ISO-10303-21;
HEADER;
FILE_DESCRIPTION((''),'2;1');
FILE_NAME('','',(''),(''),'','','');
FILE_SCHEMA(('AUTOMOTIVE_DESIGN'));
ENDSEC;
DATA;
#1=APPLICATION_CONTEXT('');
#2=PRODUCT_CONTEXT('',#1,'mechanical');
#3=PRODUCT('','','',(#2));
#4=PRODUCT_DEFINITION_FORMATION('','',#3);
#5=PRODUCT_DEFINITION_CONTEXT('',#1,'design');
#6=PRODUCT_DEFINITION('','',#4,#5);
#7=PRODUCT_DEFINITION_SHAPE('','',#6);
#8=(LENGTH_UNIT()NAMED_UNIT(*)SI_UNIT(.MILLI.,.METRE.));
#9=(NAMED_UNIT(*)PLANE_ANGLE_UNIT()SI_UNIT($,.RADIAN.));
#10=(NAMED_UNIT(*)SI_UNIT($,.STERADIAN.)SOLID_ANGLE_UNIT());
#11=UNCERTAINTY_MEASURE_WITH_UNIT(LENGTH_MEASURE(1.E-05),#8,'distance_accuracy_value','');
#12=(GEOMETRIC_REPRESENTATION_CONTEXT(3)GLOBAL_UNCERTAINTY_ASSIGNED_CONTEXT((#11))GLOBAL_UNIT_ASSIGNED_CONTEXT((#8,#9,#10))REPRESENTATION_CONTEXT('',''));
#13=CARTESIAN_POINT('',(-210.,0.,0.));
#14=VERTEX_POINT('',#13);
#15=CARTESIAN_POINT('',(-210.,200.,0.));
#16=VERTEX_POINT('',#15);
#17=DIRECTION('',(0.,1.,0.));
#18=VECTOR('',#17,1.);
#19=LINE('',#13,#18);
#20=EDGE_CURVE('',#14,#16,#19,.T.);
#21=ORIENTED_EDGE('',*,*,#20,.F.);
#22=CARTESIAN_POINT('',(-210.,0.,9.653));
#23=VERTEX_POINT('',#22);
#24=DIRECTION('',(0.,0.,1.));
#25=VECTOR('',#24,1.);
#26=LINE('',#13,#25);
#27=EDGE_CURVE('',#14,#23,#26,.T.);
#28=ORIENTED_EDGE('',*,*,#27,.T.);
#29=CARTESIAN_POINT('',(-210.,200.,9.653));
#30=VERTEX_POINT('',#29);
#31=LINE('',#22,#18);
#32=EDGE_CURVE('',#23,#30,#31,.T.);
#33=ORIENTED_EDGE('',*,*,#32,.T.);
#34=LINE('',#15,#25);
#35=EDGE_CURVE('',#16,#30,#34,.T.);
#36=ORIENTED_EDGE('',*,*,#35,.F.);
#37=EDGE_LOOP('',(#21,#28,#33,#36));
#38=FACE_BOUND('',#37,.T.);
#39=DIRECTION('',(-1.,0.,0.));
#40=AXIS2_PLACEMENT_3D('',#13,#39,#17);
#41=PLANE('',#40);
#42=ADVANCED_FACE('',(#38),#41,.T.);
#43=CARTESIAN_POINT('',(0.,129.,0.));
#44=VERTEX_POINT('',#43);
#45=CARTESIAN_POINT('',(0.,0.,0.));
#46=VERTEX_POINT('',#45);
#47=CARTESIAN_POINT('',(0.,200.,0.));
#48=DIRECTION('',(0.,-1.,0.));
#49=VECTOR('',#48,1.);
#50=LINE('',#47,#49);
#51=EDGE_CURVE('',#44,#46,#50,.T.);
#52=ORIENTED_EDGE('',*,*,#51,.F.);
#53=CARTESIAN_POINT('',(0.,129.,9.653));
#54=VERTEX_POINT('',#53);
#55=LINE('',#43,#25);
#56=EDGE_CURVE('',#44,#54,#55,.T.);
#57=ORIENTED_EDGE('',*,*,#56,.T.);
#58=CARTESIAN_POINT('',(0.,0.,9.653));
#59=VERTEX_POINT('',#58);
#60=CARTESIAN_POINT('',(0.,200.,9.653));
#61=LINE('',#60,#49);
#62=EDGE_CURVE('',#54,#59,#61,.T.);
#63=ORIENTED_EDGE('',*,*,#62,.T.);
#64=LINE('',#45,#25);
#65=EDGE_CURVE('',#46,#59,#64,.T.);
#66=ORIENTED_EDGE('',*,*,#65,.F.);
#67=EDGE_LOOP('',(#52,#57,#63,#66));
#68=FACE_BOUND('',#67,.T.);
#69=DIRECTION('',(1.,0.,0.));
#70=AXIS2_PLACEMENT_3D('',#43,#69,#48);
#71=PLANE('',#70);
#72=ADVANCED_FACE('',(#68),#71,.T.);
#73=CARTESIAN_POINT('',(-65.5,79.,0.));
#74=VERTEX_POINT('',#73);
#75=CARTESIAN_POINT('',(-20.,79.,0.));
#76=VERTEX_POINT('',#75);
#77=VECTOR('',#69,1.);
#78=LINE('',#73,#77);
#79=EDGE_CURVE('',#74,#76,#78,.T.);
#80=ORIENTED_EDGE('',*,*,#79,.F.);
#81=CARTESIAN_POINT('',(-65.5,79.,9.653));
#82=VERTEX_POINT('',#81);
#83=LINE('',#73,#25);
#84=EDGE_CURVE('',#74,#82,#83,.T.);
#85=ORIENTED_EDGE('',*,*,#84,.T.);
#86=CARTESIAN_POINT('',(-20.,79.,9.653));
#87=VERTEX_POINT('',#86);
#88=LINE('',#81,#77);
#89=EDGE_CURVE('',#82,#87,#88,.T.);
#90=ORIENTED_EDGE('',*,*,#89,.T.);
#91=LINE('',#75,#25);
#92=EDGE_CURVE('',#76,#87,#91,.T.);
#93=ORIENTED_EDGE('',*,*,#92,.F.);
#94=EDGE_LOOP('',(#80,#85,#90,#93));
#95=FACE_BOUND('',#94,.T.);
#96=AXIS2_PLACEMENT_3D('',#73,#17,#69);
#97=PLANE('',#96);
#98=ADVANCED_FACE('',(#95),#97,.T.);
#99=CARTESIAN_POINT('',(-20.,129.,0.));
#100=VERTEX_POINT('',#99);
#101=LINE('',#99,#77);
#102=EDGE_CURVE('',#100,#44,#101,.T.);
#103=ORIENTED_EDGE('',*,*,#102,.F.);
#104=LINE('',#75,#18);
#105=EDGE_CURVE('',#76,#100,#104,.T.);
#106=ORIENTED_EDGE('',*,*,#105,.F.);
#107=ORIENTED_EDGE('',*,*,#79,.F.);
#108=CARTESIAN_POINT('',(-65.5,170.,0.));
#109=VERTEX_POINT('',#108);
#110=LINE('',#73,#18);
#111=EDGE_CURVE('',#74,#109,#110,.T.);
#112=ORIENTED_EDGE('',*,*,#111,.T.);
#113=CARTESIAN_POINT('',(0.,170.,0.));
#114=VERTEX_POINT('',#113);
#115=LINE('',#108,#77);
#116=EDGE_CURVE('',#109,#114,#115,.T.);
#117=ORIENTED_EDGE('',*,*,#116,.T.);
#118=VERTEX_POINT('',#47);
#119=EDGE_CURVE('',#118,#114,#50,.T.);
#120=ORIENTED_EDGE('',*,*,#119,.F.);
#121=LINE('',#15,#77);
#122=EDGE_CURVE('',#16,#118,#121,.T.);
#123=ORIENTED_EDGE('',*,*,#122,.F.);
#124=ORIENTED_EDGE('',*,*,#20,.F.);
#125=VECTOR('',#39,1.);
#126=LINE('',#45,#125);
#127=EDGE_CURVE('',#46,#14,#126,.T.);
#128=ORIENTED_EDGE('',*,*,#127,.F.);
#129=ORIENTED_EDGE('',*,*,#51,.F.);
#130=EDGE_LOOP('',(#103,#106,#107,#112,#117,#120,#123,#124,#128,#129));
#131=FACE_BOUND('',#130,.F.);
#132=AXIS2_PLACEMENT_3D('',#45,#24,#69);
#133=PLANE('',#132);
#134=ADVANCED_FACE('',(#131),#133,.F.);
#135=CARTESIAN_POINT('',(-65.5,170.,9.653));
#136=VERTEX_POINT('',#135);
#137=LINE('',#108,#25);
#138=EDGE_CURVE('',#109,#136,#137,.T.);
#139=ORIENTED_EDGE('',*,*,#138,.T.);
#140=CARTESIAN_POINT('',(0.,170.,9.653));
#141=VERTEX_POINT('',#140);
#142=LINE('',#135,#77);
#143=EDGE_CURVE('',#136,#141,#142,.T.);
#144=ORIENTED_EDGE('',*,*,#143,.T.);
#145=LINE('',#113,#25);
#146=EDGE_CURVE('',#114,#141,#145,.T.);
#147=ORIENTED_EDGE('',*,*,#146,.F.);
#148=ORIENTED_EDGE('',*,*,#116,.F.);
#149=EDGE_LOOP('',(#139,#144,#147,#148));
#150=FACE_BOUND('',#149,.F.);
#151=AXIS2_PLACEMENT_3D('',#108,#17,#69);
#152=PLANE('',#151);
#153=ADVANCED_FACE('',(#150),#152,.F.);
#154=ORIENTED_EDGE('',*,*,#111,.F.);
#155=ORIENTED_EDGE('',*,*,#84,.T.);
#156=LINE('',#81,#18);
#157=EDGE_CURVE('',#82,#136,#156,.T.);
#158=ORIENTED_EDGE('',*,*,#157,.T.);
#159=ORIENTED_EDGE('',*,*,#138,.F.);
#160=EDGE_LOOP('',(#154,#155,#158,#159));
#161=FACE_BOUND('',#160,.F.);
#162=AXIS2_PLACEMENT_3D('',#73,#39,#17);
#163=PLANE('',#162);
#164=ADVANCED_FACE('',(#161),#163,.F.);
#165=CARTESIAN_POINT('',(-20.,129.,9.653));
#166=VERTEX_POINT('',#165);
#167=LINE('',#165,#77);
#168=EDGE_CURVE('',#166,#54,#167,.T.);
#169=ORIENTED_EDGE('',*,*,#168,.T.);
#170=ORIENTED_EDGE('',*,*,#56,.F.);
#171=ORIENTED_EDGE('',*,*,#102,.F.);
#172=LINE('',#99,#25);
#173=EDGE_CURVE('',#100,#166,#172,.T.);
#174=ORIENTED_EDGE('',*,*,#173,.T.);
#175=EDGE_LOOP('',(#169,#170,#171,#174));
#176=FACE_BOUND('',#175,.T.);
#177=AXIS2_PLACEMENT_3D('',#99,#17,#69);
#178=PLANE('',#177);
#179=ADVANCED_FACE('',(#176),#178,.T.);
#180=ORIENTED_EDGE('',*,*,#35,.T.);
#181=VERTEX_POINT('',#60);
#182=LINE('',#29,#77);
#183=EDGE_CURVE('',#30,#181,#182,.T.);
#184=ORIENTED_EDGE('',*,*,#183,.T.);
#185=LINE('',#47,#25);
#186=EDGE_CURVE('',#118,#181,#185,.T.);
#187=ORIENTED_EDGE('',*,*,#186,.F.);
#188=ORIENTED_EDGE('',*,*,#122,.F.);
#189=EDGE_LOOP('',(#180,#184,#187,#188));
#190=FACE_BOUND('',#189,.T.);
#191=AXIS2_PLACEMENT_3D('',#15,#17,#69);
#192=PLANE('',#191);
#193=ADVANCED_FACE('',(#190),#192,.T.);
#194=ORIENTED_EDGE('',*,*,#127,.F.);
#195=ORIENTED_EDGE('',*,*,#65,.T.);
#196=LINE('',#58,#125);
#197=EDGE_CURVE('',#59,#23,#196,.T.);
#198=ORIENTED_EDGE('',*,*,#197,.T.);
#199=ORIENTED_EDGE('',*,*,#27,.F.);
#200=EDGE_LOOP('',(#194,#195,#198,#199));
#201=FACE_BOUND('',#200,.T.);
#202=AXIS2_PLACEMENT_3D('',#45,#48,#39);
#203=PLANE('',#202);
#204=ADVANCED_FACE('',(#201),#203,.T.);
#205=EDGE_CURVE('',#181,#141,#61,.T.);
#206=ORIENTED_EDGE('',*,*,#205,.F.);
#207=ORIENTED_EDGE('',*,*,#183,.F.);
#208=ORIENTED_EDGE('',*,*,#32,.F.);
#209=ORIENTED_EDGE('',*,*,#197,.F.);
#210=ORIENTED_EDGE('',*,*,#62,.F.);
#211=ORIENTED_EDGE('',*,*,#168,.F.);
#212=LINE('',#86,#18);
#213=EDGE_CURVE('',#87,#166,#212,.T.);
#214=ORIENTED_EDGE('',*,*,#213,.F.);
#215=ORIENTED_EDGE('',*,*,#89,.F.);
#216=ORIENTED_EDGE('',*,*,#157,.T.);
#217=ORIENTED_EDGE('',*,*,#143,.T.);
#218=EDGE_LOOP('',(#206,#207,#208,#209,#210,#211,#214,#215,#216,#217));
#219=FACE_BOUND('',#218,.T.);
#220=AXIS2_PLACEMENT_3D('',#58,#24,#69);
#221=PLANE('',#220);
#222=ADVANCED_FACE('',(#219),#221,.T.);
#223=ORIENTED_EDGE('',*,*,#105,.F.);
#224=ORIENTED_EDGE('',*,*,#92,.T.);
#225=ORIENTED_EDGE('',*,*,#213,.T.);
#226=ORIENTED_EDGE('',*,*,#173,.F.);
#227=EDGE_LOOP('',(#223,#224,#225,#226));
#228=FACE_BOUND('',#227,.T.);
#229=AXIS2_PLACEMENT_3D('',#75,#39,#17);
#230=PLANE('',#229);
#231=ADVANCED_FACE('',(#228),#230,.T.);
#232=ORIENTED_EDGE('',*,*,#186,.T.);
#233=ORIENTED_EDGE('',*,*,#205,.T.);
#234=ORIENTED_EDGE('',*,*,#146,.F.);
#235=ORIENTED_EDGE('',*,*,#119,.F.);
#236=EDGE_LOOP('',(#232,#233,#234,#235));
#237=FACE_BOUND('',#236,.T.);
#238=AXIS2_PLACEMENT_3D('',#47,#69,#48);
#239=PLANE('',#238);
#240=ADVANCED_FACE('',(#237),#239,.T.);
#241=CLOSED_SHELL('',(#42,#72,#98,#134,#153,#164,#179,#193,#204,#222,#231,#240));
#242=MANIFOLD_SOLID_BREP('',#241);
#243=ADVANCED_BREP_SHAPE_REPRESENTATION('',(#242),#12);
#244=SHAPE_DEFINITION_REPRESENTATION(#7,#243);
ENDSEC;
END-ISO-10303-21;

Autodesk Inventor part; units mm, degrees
ref_plane "YZ Plane" through (0, 0, 0) normal (1, 0, 0) x (0, 1, 0)
ref_plane "XZ Plane" through (0, 0, 0) normal (0, 1, 0) x (-1, 0, 0)
ref_plane "XY Plane" through (0, 0, 0) normal (0, 0, 1) x (1, 0, 0)
sketch "Sketch1" plane through (0, 0, 0) normal (0, 0, 1) x (1, 0, 0)
  line L0 (0, 0) -> (-210, 0)
  line L1 (-210, 0) -> (-210, 200)
  line L2 (-210, 200) -> (0, 200)
  line L3 (0, 200) -> (0, 0)
  line L4 (-65.5, 79) -> (-65.5, 170)
  line L5 (-65.5, 170) -> (0, 170)
  line L6 (-65.5, 79) -> (-20, 79)
  line L7 (-20, 79) -> (-20, 129)
  line L8 (-20, 129) -> (0, 129)
  line L9 (0, 129) -> (0, 170)
  point P0 (0, 149.5)
  point P1 (0, 129)
  dimension "d0" = 210
  dimension "d1" = 200
  dimension "d2" = 91
  dimension "d3" = 45.5
  dimension "d4" = 50
  dimension "d5" = 20
  dimension "d6" = 30
extrude "Extrusion1" add sketch "Sketch1" along normal blind 9.653 contours L0 L1 L2 L3 L5 L4 L6 L7 L8
sketch "Sketch2" plane through (0, 0, 9.653) normal (0, 0, 1) x (1, 0, 0)
  point P0 (0, 0)
properties part number "base1ek"
